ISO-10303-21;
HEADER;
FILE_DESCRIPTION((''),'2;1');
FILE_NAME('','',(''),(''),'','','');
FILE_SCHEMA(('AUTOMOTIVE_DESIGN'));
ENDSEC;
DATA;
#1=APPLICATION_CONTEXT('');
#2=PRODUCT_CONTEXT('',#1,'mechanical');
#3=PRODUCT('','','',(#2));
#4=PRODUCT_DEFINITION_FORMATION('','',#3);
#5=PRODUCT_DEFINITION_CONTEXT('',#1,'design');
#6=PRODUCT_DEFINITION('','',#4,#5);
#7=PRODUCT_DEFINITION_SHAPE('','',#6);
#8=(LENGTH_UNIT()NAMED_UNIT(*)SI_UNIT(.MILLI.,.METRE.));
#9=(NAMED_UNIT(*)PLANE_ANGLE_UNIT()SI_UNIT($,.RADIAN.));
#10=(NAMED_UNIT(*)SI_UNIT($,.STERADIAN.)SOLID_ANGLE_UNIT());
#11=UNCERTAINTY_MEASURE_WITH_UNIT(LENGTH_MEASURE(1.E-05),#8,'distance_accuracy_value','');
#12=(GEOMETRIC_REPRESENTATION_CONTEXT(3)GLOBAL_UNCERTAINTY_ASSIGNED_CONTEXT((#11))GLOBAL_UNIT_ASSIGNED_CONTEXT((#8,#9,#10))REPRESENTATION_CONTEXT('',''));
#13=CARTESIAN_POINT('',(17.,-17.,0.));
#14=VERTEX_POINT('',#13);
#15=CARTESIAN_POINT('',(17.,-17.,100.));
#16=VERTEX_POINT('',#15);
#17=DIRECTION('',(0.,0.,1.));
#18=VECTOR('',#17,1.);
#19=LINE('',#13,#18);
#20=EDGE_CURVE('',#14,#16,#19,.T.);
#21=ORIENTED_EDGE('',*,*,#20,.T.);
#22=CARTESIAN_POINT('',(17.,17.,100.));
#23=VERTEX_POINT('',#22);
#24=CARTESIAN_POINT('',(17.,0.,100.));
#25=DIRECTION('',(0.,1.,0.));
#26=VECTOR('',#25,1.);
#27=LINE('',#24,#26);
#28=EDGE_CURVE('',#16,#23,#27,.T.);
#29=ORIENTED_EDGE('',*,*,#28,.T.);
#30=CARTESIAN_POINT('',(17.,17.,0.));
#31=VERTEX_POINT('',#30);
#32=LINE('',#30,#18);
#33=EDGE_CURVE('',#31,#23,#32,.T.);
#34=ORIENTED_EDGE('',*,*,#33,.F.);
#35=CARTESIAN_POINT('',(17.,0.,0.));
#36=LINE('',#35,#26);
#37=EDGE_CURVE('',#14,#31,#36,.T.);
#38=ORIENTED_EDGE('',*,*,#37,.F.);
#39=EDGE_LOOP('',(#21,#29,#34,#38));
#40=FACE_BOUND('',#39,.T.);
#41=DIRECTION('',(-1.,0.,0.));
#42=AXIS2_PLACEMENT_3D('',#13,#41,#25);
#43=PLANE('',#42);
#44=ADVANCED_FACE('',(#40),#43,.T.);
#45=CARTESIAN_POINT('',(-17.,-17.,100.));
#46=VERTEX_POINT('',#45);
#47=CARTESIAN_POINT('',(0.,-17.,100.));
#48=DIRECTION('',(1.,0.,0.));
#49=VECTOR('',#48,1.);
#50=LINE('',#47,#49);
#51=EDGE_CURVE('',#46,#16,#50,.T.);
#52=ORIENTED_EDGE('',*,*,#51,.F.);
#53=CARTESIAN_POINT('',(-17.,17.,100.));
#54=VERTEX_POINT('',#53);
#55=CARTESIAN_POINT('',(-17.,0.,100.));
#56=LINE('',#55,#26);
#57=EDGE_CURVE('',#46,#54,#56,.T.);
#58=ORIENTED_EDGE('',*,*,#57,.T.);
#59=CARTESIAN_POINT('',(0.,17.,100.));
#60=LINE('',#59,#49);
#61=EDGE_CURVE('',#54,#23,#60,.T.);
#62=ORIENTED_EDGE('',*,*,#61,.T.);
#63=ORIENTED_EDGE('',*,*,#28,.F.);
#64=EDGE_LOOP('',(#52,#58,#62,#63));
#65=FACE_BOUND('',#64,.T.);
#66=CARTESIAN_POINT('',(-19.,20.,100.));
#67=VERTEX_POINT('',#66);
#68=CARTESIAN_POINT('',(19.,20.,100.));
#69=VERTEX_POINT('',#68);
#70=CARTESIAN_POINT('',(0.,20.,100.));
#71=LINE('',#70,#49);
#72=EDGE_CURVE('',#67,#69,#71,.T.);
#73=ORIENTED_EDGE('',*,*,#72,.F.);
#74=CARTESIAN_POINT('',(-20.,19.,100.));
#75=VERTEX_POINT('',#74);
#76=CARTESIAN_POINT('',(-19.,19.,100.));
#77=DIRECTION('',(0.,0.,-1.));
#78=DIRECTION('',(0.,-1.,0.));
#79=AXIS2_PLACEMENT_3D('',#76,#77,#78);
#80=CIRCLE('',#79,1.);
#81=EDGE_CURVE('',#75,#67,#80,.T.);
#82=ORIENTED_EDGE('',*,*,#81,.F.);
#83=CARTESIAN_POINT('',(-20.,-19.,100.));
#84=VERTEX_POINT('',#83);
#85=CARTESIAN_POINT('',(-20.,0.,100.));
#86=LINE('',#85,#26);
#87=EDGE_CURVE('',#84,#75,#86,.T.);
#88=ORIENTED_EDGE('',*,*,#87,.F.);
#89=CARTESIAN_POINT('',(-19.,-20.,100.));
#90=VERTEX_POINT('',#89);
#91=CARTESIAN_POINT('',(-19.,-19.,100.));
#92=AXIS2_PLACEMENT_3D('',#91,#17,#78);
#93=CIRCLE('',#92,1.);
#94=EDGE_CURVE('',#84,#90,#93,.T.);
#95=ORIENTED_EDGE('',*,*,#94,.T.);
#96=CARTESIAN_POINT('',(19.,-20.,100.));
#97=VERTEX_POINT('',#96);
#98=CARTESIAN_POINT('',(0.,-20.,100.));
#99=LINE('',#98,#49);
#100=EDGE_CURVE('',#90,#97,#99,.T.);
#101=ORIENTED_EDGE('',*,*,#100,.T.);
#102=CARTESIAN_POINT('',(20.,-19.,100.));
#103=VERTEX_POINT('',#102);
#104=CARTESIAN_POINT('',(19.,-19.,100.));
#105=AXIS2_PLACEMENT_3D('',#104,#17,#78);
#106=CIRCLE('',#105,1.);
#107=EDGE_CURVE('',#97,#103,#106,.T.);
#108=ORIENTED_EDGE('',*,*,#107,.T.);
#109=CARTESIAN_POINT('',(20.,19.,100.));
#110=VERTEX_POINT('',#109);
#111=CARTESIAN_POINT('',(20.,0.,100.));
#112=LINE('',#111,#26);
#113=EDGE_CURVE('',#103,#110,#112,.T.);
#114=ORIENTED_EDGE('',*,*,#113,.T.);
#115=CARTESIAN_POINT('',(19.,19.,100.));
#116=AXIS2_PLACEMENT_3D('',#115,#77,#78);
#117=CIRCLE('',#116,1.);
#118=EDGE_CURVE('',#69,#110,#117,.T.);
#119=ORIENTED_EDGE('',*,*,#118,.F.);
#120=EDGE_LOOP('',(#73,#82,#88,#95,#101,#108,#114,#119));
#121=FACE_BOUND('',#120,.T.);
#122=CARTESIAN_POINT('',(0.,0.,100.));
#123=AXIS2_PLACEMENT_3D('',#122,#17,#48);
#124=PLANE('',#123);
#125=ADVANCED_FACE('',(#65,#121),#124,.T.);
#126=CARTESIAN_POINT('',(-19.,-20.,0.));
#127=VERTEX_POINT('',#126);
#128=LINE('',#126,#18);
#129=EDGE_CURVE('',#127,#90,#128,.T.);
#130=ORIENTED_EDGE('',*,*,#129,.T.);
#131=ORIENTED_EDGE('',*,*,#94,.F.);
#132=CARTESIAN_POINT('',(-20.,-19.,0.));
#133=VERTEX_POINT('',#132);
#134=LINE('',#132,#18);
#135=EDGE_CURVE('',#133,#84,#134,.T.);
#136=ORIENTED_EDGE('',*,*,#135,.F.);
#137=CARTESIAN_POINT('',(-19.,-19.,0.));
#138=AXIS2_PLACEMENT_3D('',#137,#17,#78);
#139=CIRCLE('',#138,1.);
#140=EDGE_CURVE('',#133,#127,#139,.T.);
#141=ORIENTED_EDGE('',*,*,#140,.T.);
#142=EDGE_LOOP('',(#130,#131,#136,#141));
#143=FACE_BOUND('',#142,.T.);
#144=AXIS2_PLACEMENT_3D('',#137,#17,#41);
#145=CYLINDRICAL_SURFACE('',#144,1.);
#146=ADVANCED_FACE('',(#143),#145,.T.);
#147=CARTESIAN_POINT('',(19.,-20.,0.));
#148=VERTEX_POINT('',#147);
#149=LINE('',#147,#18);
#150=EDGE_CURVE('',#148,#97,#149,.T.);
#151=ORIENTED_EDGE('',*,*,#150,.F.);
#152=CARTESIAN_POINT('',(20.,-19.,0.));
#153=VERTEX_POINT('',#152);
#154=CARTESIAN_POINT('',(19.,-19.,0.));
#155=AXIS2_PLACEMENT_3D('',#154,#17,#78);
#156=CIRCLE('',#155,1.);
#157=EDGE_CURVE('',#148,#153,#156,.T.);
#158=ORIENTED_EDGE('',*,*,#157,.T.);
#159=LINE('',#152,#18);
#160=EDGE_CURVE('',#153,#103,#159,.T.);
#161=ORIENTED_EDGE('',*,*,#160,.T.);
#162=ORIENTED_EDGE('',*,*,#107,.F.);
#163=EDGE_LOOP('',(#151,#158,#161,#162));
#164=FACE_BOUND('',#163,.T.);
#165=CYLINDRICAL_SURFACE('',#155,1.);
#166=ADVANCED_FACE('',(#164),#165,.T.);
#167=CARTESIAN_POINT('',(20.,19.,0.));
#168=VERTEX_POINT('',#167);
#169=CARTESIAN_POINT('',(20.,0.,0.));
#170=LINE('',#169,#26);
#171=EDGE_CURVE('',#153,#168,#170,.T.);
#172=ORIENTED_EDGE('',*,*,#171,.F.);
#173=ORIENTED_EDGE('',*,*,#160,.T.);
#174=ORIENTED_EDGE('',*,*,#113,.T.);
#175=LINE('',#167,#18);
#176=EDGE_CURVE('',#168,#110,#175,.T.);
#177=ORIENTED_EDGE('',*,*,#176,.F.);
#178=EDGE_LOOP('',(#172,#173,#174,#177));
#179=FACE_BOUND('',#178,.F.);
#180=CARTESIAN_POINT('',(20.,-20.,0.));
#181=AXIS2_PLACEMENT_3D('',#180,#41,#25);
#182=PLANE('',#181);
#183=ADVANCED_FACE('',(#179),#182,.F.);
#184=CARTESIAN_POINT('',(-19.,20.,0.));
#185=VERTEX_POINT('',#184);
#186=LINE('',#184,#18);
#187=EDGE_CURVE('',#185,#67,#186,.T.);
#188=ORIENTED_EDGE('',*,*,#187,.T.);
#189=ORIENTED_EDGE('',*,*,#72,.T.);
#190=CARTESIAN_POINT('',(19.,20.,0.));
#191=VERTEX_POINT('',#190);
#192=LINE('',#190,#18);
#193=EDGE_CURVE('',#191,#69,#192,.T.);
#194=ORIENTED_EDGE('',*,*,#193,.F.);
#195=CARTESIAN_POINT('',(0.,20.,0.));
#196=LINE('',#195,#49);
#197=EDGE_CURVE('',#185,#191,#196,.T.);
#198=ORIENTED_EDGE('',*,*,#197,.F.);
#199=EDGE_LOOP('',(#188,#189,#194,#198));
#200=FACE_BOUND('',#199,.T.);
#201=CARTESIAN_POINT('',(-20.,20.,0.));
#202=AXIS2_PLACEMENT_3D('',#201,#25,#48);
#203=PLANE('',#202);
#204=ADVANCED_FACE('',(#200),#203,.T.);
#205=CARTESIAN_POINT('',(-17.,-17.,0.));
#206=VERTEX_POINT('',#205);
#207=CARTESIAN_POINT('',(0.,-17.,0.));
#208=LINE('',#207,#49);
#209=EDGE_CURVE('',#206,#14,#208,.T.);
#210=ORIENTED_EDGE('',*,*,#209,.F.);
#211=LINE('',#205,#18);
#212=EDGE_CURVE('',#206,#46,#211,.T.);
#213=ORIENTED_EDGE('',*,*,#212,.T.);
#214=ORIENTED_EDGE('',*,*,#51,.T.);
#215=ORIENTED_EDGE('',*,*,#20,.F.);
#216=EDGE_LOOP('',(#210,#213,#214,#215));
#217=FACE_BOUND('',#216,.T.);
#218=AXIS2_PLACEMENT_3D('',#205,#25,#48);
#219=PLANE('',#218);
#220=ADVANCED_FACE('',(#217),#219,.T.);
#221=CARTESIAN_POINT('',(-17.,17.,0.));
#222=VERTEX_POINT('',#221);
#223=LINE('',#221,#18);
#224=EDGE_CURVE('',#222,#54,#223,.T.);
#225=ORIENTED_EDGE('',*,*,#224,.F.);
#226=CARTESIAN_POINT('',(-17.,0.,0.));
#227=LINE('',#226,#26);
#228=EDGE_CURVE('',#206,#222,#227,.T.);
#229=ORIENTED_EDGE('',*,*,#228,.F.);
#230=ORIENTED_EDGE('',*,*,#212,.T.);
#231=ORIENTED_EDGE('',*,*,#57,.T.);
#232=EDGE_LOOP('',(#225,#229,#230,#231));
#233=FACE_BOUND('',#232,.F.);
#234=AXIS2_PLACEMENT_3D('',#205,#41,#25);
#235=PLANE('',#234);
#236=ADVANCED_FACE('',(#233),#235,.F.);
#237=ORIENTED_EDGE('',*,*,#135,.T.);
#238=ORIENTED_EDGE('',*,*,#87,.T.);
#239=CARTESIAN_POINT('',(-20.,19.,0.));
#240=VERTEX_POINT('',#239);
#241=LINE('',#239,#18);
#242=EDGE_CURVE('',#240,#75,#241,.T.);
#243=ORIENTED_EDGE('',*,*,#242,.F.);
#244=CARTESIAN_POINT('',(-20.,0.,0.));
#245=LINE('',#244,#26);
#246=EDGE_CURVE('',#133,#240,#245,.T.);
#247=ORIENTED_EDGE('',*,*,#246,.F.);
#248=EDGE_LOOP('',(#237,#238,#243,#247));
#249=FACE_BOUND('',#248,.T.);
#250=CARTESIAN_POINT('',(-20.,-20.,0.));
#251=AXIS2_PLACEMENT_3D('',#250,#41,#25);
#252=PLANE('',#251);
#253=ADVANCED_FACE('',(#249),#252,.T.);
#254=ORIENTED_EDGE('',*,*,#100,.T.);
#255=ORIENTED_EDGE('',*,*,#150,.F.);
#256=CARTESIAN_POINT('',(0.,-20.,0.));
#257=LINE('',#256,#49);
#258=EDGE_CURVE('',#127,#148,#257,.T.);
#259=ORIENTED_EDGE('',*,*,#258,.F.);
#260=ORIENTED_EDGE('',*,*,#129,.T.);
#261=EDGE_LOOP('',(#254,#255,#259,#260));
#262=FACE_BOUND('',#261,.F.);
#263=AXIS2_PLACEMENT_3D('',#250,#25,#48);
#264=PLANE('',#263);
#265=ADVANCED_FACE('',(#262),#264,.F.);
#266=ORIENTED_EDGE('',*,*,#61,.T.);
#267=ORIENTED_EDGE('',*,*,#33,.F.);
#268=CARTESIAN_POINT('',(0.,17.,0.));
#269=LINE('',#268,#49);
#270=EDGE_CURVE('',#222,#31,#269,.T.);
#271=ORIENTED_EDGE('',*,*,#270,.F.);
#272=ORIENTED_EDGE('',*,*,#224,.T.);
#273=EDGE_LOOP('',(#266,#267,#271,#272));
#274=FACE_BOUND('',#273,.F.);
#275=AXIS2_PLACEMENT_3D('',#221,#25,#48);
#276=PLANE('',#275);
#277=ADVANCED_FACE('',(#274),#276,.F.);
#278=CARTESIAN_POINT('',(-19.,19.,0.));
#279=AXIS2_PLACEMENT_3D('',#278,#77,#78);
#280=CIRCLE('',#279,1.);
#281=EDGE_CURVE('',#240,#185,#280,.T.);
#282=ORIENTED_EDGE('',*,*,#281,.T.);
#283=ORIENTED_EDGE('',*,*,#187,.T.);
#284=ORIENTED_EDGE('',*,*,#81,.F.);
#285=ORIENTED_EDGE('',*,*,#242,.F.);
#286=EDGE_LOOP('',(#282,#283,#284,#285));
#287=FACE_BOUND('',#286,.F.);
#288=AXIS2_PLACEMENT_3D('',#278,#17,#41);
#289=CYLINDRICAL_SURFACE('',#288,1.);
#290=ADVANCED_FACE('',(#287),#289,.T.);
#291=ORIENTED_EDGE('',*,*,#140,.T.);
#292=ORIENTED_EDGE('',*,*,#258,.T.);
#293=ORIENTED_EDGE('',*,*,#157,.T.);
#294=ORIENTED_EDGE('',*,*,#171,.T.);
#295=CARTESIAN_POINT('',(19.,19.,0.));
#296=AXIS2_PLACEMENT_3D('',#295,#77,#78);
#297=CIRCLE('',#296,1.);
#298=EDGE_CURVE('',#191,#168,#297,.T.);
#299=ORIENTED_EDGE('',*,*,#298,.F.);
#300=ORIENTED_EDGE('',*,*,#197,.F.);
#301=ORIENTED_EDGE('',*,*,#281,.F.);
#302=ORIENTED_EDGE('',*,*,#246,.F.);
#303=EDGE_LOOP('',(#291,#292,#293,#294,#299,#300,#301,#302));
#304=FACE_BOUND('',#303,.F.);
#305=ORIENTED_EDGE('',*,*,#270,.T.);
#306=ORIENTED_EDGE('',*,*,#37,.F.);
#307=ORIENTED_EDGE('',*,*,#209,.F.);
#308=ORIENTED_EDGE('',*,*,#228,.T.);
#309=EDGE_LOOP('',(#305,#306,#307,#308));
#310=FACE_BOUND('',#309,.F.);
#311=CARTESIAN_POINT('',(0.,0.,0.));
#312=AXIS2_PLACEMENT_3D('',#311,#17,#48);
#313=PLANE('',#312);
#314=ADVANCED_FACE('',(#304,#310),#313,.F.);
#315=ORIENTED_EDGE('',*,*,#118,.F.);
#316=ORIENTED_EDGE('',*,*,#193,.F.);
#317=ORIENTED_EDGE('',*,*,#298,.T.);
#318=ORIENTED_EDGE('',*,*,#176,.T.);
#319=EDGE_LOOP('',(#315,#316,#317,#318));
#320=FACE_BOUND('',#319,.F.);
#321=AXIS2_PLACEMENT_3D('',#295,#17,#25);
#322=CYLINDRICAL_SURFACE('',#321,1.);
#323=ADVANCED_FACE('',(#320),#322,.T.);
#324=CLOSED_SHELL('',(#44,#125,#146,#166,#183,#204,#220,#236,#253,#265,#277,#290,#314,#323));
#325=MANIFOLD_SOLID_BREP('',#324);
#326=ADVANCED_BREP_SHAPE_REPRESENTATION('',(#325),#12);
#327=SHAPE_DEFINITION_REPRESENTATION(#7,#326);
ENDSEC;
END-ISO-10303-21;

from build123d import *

# Parameters (mm, degrees)
SKETCH_W   = 40
SKETCH_H   = 40
SKETCH_W_2 = 34
SKETCH_H_2 = 34
PAD_DEPTH  = 100
FILLET_R   = 1


with BuildPart() as part:
    # Sketch → Pad (new body)
    with BuildSketch(Plane.XY):
        Rectangle(SKETCH_W, SKETCH_H)
        Rectangle(SKETCH_W_2, SKETCH_H_2, mode=Mode.SUBTRACT)
    extrude(amount=PAD_DEPTH)

    # Fillet
    fillet_edges = [part.edges().sort_by_distance(p)[0] for p in [
        (20, -20, 50),
        (20, 20, 50),
        (-20, -20, 50),
        (-20, 20, 50),
    ]]
    fillet(fillet_edges, radius=FILLET_R)


solid = part.part
